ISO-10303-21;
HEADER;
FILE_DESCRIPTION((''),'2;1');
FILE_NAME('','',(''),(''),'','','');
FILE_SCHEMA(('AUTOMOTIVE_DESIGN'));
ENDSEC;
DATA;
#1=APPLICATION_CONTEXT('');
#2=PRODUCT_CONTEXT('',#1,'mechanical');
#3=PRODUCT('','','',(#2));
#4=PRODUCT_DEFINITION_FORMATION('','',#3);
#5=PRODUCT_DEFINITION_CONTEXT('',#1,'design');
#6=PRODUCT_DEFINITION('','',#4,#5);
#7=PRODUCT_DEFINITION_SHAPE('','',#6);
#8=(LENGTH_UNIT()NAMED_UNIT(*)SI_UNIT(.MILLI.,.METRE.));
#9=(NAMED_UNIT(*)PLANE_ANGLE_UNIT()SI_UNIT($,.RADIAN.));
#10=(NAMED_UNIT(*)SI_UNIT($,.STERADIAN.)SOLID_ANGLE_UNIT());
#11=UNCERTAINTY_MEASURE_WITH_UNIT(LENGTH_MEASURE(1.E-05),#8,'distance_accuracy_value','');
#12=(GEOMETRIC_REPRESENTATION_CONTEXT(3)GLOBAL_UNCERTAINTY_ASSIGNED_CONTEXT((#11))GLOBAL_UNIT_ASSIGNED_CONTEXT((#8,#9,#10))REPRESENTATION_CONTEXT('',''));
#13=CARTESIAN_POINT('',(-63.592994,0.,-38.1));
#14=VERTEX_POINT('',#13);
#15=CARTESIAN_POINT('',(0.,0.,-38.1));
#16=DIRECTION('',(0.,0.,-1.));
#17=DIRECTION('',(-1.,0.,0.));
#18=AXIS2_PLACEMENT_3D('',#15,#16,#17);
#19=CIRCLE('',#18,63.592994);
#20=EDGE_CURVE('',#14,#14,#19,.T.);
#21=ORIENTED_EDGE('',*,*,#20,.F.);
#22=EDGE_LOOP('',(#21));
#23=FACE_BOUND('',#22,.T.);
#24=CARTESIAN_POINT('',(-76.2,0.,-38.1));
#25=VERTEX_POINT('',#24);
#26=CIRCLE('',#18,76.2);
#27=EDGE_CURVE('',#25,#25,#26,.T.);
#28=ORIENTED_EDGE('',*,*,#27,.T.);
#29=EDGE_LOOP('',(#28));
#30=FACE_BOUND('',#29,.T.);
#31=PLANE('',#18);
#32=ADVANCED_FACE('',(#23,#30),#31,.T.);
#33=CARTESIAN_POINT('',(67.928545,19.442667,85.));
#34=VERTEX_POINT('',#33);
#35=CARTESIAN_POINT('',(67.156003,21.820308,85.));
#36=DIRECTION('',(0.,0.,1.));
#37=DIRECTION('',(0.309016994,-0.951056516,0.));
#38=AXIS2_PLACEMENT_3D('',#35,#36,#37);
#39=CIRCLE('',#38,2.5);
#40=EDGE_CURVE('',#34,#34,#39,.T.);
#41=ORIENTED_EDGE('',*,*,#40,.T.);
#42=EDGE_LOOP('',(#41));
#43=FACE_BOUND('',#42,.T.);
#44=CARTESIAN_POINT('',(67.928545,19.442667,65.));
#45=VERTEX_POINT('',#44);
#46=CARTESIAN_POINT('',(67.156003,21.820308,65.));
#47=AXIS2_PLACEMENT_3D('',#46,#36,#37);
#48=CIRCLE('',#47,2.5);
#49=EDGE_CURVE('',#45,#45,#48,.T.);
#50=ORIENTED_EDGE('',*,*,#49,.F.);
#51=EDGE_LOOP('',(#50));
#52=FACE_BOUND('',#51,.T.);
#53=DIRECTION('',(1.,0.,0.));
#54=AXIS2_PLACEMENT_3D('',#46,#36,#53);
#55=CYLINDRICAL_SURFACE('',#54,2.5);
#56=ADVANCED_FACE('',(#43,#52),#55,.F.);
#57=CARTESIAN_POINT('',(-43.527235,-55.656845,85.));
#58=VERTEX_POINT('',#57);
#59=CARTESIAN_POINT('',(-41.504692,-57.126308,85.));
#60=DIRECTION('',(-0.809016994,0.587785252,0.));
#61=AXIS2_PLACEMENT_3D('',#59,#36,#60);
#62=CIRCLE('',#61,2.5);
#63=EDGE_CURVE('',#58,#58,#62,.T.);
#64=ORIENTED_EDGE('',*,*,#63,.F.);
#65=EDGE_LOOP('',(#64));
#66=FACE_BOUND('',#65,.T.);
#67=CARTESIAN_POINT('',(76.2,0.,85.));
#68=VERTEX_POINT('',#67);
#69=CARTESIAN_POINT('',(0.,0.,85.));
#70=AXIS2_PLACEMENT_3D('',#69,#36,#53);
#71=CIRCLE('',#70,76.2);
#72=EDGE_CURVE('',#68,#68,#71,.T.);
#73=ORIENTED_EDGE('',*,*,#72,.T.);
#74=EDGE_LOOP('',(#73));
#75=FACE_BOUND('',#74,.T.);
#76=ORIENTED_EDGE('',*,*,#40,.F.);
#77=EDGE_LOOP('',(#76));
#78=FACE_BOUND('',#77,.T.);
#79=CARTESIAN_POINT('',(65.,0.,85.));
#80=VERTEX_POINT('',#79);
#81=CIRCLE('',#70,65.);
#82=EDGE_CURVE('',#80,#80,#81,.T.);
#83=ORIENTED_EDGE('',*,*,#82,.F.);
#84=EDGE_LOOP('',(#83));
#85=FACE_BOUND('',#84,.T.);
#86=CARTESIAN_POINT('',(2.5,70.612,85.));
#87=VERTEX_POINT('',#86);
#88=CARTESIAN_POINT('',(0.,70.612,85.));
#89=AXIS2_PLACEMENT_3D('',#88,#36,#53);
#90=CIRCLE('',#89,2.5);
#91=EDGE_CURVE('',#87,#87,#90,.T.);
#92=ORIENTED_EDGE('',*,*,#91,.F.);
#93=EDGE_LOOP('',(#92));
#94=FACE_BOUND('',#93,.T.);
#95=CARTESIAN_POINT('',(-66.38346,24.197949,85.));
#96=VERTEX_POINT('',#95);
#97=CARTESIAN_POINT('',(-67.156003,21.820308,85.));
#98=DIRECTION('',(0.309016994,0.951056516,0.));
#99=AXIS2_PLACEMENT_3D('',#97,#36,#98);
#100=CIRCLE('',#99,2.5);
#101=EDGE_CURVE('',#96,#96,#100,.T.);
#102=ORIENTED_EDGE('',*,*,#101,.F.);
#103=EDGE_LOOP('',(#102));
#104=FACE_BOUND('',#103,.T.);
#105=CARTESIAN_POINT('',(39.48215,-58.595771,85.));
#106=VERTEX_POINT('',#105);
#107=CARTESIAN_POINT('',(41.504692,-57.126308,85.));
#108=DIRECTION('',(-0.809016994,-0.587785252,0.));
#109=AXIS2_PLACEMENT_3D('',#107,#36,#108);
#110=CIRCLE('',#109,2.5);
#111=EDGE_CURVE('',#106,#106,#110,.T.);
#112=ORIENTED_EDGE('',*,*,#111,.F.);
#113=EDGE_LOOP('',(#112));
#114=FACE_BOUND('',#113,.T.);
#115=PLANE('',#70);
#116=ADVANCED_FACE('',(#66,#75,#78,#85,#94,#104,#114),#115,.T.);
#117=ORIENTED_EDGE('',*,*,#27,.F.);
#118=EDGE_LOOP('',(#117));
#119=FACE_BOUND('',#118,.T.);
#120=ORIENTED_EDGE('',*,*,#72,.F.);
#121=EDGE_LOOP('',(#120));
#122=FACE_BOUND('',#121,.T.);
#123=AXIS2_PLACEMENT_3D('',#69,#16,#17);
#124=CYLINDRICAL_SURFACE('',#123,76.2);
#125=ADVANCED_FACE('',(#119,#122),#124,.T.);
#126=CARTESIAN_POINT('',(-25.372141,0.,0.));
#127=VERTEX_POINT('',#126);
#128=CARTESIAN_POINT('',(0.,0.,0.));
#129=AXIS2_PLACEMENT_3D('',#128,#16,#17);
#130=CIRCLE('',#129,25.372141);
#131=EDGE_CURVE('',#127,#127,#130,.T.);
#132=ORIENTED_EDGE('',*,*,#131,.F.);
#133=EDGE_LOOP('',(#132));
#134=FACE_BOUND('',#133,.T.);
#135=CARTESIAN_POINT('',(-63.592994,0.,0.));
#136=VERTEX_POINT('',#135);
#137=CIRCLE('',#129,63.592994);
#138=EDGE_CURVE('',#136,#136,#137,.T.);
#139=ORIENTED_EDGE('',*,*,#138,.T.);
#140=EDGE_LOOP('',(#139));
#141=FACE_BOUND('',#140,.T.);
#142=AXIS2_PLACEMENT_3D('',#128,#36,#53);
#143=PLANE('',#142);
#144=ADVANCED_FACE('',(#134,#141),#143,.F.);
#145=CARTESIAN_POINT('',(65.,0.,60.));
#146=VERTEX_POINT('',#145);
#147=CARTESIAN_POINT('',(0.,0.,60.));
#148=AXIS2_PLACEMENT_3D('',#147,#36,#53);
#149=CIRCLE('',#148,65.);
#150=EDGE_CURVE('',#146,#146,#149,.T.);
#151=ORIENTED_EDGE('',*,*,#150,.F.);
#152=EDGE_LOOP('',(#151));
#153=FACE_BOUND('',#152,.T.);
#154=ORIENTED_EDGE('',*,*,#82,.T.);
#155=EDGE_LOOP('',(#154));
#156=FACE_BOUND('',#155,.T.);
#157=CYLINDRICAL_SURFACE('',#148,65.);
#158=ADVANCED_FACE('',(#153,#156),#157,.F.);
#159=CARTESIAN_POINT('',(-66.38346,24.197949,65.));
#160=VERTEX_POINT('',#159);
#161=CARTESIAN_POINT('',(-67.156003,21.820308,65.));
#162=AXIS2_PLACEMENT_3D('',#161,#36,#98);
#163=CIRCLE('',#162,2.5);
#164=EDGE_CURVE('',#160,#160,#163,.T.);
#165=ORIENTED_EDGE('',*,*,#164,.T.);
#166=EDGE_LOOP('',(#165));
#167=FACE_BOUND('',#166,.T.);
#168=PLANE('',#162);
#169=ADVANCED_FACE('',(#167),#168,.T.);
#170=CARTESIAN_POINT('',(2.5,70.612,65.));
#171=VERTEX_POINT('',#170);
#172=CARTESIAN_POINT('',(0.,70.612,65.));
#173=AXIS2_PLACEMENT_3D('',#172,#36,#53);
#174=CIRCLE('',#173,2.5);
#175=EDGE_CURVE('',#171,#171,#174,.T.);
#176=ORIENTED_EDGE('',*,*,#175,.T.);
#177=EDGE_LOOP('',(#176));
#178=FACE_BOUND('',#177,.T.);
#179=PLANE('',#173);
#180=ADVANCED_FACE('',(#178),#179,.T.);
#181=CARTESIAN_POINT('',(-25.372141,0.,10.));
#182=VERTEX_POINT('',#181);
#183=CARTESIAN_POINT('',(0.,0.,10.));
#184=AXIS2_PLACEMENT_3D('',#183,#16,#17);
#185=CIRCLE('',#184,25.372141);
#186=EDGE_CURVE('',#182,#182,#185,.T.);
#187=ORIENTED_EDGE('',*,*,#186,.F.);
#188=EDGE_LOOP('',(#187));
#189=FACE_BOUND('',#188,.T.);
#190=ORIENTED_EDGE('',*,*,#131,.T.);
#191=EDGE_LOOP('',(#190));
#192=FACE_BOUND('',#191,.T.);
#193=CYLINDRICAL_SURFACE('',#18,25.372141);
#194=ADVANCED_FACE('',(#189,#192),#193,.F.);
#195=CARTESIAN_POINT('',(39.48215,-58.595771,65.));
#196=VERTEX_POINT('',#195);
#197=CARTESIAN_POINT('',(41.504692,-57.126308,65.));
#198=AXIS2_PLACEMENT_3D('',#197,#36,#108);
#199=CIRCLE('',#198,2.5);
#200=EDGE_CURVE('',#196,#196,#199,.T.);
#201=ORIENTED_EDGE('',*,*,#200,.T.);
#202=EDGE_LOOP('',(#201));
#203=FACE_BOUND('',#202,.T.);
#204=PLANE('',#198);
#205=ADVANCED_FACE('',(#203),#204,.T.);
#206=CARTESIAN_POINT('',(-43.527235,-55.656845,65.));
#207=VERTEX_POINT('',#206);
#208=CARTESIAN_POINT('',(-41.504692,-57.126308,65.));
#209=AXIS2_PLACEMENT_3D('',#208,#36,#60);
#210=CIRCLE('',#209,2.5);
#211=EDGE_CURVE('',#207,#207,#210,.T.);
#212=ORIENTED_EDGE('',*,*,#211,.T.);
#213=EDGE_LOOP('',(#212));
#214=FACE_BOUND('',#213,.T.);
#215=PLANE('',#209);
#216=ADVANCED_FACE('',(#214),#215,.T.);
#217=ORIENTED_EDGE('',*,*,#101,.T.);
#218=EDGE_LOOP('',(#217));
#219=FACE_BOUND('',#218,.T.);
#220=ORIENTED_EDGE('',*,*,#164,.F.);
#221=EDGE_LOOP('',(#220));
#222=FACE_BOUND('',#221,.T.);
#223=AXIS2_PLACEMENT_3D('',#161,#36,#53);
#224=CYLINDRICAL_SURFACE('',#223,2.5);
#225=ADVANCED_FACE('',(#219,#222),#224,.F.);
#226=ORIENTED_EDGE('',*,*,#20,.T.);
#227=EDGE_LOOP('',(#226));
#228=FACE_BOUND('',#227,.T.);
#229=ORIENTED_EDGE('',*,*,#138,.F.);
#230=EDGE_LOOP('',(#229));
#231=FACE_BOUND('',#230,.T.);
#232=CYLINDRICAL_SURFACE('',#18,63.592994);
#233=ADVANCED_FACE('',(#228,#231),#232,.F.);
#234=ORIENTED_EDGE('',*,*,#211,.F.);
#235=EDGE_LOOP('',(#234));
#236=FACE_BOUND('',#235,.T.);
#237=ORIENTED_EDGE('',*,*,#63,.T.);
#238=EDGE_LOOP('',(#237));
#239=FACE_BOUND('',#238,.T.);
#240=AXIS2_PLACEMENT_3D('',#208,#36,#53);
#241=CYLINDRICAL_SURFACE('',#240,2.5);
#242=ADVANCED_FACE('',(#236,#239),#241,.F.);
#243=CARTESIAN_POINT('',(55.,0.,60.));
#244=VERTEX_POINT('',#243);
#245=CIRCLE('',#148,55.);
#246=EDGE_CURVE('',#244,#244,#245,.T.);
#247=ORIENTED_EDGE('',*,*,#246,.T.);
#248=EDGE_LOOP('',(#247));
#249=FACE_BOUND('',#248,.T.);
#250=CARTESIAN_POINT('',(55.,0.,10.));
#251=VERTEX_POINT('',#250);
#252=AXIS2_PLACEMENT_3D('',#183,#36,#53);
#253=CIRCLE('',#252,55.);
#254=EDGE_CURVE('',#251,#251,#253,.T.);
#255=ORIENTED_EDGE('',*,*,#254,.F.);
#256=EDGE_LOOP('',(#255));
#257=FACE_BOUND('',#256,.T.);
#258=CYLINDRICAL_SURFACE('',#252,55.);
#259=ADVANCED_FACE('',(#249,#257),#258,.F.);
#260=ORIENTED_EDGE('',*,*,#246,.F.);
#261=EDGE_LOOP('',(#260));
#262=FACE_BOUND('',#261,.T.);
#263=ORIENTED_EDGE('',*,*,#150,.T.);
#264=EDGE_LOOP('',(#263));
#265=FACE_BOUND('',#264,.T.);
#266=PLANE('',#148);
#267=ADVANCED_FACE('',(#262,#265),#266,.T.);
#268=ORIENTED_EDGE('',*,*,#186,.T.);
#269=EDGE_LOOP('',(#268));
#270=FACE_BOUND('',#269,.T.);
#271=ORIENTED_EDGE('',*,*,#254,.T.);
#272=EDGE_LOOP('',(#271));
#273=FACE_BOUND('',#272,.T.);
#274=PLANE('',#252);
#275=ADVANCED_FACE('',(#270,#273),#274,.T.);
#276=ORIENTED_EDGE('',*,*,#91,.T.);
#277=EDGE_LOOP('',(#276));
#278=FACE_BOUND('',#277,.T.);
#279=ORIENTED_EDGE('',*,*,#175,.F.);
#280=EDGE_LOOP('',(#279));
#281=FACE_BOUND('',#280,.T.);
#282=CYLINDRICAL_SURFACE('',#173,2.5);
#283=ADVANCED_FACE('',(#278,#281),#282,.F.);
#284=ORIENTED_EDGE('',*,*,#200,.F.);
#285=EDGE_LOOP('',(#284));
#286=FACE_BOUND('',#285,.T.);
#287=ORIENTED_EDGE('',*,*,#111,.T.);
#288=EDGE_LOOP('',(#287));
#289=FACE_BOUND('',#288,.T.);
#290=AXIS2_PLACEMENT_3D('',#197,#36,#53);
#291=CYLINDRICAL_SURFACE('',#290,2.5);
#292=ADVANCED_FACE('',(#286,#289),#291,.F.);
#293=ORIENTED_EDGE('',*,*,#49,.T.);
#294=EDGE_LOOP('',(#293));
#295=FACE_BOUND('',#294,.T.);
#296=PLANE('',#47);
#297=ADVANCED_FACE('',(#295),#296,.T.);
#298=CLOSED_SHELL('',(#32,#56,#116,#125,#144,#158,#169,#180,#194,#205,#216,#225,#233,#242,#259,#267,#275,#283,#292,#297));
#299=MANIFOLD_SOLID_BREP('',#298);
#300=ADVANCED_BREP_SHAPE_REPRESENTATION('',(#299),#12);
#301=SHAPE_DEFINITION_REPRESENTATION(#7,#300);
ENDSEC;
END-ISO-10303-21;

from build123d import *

# Parameters (mm, degrees)
SKETCH2_R           = 76.2
BOSS_EXTRUDE1_DEPTH = 85
SKETCH4_R           = 65
CUT_EXTRUDE2_DEPTH  = 25
SKETCH5_R           = 55
CUT_EXTRUDE3_DEPTH  = 50
SKETCH7_R           = 2.5
CUT_EXTRUDE4_DEPTH  = 20
CIRPATTERN1_COUNT   = 5
BOSS_EXTRUDE2_START = 38.1
SKETCH8_R           = 76.2
SKETCH8_R_2         = 50.8
BOSS_EXTRUDE2_DEPTH = 38.1


with BuildPart() as part:
    # Sketch2 → Boss-Extrude1 (new body)
    with BuildSketch(Plane(origin=(0, 0, 0), x_dir=(0, 1, 0), z_dir=(0, 0, 1))):
        with Locations(Location((0, 0, 0), (0, 0, 270))):
            Circle(SKETCH2_R)
    extrude(amount=BOSS_EXTRUDE1_DEPTH)

    # Sketch4 → Cut-Extrude2 (cut)
    with BuildSketch(Plane.XY.offset(85)):
        Circle(SKETCH4_R)
    extrude(amount=-CUT_EXTRUDE2_DEPTH, mode=Mode.SUBTRACT)

    # Sketch5 → Cut-Extrude3 (cut)
    with BuildSketch(Plane.XY.offset(60)):
        Circle(SKETCH5_R)
    extrude(amount=-CUT_EXTRUDE3_DEPTH, mode=Mode.SUBTRACT)

    # Sketch7 → Cut-Extrude4 (cut)
    with BuildSketch(Plane.XY.offset(85)):
        with Locations((0, 70.612)):
            Circle(SKETCH7_R)
    cut_extrude4 = extrude(amount=-CUT_EXTRUDE4_DEPTH, mode=Mode.SUBTRACT)

    # CirPattern1: Cut-Extrude4 ×5 about axis
    cirpattern1_axis = Axis((0, 0, 0), (0, 0, 1))
    for i in range(1, CIRPATTERN1_COUNT):
        add(cut_extrude4.rotate(cirpattern1_axis, i * 360 / CIRPATTERN1_COUNT), mode=Mode.SUBTRACT)

    # Sketch8 → Boss-Extrude2 (add)
    with BuildSketch(Plane(origin=(0, 0, 0), x_dir=(1, 0, 0), z_dir=(0, 0, -1)).offset(BOSS_EXTRUDE2_START)):
        with Locations(Location((0, 0, 0), (0, 0, 180))):
            Circle(SKETCH8_R)
        Circle(SKETCH8_R_2, mode=Mode.SUBTRACT)
    extrude(amount=-BOSS_EXTRUDE2_DEPTH)

    # Sketch10 → Cut-Revolve1 (revolve, cut)
    with BuildSketch(Plane.YZ, mode=Mode.PRIVATE) as cut_revolve1_sk:
        Polygon((0, 10.519966747), (-25.372140722, 10), (-25.372140722, 0), (-63.592993734, 0), (-63.592993734, -38.1), (0, -38.1), align=None)
    revolve(cut_revolve1_sk.sketch.rotate(Axis((0, 0, -38.1), (0, 0, 1)), 270), axis=Axis((0, 0, -38.1), (0, 0, 1)), mode=Mode.SUBTRACT)


solid = part.part
